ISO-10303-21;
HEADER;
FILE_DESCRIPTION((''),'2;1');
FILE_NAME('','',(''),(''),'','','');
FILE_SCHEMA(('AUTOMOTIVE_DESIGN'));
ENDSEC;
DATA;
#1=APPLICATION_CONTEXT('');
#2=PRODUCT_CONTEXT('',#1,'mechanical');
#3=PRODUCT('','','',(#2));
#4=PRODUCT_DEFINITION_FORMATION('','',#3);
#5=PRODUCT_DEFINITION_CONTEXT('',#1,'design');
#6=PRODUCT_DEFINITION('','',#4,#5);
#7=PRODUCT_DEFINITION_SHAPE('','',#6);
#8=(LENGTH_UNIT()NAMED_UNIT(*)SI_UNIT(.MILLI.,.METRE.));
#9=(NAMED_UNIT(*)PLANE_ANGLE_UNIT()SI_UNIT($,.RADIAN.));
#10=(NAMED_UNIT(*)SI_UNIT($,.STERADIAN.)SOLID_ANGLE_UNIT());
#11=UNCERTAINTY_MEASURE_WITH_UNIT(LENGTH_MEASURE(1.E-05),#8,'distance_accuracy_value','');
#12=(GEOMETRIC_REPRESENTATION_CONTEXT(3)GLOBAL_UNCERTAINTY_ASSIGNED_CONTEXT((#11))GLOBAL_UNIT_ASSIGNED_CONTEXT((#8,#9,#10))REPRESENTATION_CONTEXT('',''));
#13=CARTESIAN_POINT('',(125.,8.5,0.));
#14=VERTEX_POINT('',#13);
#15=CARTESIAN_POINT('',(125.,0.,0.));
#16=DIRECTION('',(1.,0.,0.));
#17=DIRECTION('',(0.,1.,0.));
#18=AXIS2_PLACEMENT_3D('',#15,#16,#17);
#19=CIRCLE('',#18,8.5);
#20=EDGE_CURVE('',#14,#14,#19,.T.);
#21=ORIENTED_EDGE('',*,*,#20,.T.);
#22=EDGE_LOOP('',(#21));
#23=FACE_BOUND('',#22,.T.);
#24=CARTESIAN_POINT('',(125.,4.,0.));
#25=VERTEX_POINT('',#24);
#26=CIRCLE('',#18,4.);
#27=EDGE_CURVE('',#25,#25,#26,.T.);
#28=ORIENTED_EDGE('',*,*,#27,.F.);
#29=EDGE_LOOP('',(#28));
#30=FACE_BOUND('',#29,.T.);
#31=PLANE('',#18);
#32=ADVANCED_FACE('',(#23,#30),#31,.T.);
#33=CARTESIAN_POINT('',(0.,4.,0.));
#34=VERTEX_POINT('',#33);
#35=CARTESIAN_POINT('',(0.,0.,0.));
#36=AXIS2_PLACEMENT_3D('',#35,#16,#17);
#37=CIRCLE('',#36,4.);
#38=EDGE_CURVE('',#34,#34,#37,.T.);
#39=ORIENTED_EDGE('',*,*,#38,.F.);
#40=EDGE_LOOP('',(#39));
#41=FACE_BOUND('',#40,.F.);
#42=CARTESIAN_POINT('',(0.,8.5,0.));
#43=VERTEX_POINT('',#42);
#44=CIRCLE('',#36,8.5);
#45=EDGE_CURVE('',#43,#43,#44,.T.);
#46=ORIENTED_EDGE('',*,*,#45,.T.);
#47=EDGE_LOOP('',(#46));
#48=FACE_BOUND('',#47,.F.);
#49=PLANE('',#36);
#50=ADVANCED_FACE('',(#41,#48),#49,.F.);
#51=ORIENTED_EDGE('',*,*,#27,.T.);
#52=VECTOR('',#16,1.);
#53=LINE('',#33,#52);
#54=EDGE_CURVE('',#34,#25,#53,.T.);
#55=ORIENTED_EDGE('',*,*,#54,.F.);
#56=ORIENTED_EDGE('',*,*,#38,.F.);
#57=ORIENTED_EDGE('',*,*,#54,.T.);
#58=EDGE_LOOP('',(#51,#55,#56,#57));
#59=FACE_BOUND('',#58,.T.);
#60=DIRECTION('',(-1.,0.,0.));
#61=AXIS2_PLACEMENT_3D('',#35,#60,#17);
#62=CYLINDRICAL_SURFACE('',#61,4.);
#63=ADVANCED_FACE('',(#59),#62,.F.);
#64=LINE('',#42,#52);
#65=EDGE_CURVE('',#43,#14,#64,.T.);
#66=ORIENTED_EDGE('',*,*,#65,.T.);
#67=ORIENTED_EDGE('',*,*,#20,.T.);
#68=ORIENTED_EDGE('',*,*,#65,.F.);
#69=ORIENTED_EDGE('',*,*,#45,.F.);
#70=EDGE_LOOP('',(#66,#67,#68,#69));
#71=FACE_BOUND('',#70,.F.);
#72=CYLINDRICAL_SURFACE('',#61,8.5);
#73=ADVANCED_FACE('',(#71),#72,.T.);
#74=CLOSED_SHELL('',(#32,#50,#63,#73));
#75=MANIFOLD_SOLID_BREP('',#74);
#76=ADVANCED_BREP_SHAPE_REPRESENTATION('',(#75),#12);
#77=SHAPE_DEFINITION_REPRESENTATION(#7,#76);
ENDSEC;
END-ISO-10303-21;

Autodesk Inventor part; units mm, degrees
ref_plane "YZ Plane" through (0, 0, 0) normal (1, 0, 0) x (0, 1, 0)
ref_plane "XZ Plane" through (0, 0, 0) normal (0, 1, 0) x (-1, 0, 0)
ref_plane "XY Plane" through (0, 0, 0) normal (0, 0, 1) x (1, 0, 0)
sketch "Sketch1" plane through (0, 0, 0) normal (1, 0, 0) x (0, 1, 0)
  circle A0 centre (0, 0) radius 8.5
  circle A1 centre (0, 0) radius 4
  dimension "d0" = 17
  dimension "d1" = 8
extrude "Extrusion1" add sketch "Sketch1" along normal blind 125
properties part number "Body Support" material "Aluminum 6061"
